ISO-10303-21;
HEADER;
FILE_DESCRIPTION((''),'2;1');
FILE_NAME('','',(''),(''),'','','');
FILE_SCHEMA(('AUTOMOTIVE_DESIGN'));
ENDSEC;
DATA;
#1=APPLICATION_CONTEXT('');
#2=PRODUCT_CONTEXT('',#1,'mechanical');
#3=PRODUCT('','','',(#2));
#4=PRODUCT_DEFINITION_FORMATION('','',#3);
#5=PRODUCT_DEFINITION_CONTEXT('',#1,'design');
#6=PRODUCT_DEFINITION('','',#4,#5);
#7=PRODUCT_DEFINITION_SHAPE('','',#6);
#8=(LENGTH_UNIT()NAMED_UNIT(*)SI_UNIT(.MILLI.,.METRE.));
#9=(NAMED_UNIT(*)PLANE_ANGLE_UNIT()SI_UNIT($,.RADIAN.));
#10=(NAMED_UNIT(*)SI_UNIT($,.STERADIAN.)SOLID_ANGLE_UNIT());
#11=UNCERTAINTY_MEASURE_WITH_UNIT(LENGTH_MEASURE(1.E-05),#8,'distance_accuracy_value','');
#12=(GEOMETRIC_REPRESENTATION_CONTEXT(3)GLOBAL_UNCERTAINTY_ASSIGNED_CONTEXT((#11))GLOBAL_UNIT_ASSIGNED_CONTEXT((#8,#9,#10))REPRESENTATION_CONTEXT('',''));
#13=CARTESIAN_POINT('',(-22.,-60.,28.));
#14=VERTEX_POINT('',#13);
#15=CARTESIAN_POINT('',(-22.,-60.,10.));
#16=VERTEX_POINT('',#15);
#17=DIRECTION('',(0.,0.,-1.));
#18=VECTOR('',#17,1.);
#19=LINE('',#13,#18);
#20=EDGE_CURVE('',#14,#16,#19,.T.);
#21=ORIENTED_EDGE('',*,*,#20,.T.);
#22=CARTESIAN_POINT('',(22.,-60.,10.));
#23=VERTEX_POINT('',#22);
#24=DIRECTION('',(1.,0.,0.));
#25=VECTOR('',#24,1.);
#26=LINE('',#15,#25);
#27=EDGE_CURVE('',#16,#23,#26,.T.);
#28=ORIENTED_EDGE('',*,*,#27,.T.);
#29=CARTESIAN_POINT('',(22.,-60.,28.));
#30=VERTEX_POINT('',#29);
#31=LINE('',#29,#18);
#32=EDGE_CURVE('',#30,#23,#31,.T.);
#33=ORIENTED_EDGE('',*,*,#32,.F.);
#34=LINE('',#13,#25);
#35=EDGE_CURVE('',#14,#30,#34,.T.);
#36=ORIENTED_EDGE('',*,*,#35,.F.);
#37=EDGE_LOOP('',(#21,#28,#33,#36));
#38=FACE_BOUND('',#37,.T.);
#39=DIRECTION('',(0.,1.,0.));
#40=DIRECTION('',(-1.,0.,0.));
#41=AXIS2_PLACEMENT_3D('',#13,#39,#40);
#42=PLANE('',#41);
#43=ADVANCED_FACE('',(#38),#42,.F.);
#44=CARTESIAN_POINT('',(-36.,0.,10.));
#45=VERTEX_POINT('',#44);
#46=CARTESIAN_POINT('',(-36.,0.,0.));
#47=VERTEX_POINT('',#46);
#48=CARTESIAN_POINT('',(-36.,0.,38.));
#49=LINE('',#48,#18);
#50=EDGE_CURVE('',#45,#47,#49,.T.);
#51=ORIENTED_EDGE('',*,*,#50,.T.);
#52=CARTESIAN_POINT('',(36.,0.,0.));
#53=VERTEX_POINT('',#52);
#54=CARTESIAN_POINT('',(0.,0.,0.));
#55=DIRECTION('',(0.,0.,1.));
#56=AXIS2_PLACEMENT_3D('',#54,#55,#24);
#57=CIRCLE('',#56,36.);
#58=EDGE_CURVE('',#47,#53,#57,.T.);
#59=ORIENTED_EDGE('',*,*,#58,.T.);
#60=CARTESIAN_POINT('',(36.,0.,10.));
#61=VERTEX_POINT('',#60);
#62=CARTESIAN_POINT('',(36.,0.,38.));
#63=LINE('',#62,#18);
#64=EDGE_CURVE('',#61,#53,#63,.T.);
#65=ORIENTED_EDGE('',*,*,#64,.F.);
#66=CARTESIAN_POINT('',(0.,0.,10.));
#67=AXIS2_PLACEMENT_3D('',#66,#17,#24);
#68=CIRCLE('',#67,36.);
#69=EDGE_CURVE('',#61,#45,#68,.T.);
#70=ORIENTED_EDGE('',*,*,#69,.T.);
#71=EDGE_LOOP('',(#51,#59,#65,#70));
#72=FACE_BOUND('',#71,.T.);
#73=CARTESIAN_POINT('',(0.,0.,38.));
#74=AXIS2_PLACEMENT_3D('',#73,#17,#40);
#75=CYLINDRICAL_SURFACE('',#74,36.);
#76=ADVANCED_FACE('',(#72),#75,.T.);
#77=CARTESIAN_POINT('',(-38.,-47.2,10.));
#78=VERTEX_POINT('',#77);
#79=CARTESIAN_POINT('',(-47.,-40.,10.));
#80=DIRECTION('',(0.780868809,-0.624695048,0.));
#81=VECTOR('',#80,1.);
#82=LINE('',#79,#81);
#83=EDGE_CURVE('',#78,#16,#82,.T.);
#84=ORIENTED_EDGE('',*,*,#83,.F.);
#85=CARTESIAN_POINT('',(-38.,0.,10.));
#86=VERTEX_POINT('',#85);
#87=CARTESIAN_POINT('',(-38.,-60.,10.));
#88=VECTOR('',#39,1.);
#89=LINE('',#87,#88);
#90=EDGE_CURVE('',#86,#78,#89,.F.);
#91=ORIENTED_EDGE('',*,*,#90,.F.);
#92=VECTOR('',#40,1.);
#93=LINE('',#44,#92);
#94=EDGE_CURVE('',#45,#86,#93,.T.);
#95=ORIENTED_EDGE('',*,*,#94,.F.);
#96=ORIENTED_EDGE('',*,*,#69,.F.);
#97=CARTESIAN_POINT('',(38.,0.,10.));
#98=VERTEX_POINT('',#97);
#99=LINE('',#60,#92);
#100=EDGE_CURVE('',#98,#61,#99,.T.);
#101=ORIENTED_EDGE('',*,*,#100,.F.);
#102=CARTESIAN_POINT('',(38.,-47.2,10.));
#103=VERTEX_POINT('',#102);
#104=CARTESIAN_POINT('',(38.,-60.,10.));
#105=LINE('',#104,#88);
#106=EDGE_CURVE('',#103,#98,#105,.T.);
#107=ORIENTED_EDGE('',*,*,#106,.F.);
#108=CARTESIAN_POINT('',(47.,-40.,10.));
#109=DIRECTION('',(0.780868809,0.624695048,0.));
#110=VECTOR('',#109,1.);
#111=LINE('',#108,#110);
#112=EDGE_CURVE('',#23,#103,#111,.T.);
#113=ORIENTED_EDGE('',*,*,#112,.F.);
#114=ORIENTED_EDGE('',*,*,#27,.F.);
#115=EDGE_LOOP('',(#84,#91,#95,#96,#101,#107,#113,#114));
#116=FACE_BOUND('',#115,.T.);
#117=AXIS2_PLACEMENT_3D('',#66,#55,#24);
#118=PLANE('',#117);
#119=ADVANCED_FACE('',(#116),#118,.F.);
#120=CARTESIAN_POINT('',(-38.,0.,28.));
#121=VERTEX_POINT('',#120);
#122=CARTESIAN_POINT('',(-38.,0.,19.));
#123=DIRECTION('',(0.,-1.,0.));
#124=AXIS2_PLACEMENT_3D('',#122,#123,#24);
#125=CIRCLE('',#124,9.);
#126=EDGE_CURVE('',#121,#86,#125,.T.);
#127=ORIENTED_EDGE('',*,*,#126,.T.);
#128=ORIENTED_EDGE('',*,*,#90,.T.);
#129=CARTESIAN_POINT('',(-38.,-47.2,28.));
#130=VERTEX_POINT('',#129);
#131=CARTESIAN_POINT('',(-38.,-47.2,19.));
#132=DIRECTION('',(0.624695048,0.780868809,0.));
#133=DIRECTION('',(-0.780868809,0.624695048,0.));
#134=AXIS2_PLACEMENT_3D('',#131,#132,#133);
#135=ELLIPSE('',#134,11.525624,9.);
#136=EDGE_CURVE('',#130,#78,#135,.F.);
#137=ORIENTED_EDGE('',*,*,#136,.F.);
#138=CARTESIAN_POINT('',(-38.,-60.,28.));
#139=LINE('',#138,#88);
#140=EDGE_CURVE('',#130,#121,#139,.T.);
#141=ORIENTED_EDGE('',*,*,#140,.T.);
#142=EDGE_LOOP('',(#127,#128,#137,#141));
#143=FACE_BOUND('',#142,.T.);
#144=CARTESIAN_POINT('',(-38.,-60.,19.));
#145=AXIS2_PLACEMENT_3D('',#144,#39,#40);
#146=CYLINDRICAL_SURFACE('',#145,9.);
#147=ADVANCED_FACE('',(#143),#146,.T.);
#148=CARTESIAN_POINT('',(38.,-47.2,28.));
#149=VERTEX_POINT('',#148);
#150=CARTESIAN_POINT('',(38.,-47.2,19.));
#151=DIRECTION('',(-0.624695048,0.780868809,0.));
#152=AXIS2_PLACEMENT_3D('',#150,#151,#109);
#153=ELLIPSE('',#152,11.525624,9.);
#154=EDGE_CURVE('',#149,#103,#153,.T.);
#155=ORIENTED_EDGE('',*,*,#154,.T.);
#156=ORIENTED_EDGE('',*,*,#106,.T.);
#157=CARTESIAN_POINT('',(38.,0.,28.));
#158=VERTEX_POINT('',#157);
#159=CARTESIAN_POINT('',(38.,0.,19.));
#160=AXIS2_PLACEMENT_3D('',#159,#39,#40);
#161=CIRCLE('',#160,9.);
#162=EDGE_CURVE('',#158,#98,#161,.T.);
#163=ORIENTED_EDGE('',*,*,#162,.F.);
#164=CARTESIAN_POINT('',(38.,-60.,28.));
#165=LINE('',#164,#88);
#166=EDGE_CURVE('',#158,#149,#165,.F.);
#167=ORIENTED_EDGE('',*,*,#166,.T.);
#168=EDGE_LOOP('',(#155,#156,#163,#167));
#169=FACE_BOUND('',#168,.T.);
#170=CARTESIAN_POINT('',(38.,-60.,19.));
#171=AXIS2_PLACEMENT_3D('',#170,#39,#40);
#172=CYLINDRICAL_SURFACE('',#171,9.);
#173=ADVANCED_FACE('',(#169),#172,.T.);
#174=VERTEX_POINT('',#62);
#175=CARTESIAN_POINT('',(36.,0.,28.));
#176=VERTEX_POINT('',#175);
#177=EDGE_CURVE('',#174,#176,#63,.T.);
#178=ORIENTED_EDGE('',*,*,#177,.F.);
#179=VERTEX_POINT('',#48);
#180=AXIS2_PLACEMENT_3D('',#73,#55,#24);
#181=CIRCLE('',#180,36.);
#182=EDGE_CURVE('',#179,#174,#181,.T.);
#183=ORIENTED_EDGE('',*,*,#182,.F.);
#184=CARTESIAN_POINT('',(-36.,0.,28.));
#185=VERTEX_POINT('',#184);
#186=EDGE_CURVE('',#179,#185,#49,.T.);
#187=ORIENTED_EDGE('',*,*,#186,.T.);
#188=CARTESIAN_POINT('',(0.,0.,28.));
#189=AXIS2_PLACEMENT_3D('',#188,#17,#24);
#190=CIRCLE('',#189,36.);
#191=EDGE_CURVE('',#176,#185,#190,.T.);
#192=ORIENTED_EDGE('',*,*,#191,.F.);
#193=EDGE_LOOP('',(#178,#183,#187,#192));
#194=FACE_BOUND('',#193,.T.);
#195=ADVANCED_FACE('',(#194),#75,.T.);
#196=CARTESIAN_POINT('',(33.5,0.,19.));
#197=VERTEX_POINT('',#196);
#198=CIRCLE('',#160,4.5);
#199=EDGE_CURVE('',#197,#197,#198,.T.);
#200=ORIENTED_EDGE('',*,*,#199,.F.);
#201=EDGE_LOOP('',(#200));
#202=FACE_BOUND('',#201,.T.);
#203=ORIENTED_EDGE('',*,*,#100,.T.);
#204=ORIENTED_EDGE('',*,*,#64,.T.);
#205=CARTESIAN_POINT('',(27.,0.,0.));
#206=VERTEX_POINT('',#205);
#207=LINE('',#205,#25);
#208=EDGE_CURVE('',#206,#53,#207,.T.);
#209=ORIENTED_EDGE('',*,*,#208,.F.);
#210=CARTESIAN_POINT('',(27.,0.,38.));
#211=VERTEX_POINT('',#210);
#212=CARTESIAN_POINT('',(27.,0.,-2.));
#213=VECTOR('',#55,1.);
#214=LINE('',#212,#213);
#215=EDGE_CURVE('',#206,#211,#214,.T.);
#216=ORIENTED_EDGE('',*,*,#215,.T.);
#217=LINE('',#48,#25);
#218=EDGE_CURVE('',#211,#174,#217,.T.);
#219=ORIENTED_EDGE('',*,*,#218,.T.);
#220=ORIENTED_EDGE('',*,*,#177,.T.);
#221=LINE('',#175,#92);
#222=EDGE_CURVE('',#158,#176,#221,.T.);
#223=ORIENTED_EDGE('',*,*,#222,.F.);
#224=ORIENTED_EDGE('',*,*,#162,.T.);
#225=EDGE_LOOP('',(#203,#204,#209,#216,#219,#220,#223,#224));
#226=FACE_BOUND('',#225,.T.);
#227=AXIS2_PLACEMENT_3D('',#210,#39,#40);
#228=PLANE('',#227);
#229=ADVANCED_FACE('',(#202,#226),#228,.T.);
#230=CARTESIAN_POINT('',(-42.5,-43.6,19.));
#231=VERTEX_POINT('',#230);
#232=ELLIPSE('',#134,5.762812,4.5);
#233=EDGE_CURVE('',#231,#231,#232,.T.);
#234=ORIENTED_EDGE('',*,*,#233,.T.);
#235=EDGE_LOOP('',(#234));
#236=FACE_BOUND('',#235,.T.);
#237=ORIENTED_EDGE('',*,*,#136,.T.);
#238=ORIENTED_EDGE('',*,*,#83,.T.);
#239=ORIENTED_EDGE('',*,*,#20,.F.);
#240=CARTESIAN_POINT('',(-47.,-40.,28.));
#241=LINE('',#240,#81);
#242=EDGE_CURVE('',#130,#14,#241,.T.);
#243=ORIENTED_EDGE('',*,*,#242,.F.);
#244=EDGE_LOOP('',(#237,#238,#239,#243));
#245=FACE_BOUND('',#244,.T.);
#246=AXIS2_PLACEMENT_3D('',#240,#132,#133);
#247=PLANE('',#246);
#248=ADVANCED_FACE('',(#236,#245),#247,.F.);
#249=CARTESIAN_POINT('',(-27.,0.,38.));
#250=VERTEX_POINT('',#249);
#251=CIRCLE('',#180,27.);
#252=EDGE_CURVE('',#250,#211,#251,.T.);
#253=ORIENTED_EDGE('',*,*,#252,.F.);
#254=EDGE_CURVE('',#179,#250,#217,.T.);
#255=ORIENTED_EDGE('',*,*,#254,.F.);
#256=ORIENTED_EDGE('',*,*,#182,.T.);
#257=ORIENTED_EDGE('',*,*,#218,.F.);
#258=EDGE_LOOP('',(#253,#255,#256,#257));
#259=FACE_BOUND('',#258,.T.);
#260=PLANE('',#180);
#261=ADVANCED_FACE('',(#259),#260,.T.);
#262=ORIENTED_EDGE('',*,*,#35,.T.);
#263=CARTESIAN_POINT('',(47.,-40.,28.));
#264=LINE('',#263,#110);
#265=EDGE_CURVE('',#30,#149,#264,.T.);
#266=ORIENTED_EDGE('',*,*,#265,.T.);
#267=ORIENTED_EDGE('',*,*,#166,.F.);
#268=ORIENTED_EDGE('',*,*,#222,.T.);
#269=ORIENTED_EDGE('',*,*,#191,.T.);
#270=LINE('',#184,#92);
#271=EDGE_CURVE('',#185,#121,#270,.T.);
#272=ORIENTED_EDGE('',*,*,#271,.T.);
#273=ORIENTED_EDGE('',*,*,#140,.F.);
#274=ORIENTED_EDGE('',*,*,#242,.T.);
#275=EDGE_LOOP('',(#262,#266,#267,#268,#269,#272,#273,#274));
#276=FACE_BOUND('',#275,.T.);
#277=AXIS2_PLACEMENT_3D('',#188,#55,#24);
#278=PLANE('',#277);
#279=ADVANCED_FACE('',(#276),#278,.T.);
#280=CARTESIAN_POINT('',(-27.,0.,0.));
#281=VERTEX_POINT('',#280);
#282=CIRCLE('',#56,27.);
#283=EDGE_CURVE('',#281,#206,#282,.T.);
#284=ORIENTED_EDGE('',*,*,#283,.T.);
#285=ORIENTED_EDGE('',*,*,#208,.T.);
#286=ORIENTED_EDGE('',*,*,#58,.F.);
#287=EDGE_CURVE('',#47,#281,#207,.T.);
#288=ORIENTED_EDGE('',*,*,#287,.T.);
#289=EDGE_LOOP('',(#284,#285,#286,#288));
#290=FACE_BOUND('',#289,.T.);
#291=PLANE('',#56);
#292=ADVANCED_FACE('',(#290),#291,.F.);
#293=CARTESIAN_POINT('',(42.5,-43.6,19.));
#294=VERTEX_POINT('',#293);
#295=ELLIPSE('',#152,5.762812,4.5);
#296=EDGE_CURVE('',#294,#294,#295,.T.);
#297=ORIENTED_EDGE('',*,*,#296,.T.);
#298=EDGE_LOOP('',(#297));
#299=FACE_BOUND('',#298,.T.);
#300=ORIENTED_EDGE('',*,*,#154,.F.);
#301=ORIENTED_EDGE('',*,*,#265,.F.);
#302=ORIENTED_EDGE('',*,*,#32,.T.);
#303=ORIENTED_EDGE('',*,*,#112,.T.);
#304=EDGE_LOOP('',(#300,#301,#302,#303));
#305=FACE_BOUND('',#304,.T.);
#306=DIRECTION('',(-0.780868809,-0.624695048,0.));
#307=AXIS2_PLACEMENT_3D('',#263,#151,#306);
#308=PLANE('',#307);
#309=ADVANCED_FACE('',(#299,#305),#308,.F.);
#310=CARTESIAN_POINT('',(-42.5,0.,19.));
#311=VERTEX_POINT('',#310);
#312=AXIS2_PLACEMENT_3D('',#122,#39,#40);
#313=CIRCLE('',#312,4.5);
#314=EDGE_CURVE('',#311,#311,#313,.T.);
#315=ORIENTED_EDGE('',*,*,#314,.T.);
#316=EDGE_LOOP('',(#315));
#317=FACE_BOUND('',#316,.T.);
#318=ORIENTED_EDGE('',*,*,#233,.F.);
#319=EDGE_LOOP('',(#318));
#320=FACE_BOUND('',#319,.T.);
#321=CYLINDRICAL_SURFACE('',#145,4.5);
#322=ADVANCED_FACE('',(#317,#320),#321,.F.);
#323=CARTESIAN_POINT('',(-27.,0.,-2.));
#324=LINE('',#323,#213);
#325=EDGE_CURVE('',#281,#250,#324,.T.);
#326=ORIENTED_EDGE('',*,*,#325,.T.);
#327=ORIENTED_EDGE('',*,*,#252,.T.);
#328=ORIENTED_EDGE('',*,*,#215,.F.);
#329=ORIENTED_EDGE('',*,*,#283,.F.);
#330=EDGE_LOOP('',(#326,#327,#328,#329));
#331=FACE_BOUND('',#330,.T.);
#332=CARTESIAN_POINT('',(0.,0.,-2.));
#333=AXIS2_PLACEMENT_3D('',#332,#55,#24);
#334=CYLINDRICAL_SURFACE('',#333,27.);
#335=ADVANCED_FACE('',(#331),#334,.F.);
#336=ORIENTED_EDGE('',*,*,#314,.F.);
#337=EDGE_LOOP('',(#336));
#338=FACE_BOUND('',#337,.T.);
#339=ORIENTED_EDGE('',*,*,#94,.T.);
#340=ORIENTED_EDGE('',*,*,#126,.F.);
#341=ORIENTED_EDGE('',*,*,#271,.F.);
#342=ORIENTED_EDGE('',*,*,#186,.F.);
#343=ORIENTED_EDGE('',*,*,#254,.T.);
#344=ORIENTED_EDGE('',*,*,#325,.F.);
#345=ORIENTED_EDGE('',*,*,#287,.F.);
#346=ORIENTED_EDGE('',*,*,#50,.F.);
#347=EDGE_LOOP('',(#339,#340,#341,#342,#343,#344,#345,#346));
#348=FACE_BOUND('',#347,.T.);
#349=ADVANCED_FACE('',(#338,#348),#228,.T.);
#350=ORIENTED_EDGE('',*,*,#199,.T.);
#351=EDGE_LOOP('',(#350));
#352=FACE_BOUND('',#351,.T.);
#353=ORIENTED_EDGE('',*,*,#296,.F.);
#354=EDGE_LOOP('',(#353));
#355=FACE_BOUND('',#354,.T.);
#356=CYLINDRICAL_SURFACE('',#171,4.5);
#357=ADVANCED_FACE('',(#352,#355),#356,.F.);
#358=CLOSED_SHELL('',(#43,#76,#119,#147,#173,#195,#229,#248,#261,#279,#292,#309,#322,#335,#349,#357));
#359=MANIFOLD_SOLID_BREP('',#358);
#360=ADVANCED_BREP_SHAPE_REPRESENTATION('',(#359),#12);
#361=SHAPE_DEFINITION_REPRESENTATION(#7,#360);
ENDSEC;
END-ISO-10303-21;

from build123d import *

# Parameters (mm, degrees)
BOSS_EXTRUDE2_DEPTH  = 38
BOSS_EXTRUDE3_DEPTH  = 9
SKETCH5_R            = 9
BOSS_EXTRUDE4_DEPTH  = 40
CUT_EXTRUDE1_DEPTH   = 61
MIRROR2_COPY_1_DEPTH = 61
CUT_EXTRUDE3_DEPTH   = 40
SKETCH7_R            = 4.5
CUT_EXTRUDE4_DEPTH   = 61


with BuildPart() as part:
    # Sketch1 → Boss-Extrude2 (new body)
    with BuildSketch(Plane.XY):
        with BuildLine():
            Line((27, 0), (36, 0))
            ThreePointArc((36, 0), (0, -36), (-36, 0))
            Line((-36, 0), (-27, 0))
            Line((-27, 0), (27, 0))
        make_face()
    extrude(amount=BOSS_EXTRUDE2_DEPTH)

    # Sketch4 → Boss-Extrude3 (add, symmetric)
    with BuildSketch(Plane.XY.offset(19)):
        with BuildLine():
            Line((-36, 0), (-47, 0))
            Line((-47, 0), (-47, -40))
            Line((-47, -40), (-22, -60))
            Line((-22, -60), (22, -60))
            Line((22, -60), (47, -40))
            Line((47, -40), (47, 0))
            Line((47, 0), (36, 0))
            ThreePointArc((36, 0), (0, -36), (-36, 0))
        make_face()
    extrude(amount=BOSS_EXTRUDE3_DEPTH, both=True)

    # Sketch5 → Boss-Extrude4 (add)
    with BuildSketch(Plane(origin=(0, 0, 0), x_dir=(1, 0, 0), z_dir=(0, 1, 0))):
        with Locations((-38, -19)):
            Circle(SKETCH5_R)
        with Locations((38, -19)):
            Circle(SKETCH5_R)
    extrude(amount=-BOSS_EXTRUDE4_DEPTH)

    # Sketch6 → Cut-Extrude1 (cut, through all)
    with BuildSketch(Plane(origin=(0, 0, 0), x_dir=(1, 0, 0), z_dir=(0, 1, 0))):
        with BuildLine():
            Line((-47, -19), (-47, -10))
            Line((-47, -10), (-38, -10))
            ThreePointArc((-38, -10), (-44.363961031, -12.636038969), (-47, -19))
        make_face()
    cut_extrude1 = extrude(amount=-CUT_EXTRUDE1_DEPTH, mode=Mode.SUBTRACT)

    # Mirror1: Cut-Extrude1 across plane
    add(cut_extrude1.mirror(Plane.XY.offset(19)), mode=Mode.SUBTRACT)

    # Mirror2: Cut-Extrude1 across plane
    add(cut_extrude1.mirror(Plane(origin=(0, 0, 0), x_dir=(0, 0, 1), z_dir=(1, 0, 0))), mode=Mode.SUBTRACT)

    # Mirror2 copy 1 sketch → Mirror2 copy 1 (cut, through all)
    with BuildSketch(Plane(origin=(0, 0, 38), x_dir=(-1, 0, 0), z_dir=(0, 1, 0))):
        with BuildLine():
            Line((-47, -19), (-47, -10))
            Line((-47, -10), (-38, -10))
            ThreePointArc((-38, -10), (-44.363961031, -12.636038969), (-47, -19))
        make_face()
    extrude(amount=-MIRROR2_COPY_1_DEPTH, mode=Mode.SUBTRACT)

    # Sketch3 → Cut-Extrude3 (cut)
    with BuildSketch(Plane.XY.offset(38)):
        with BuildLine():
            Line((-27, 0), (27, 0))
            ThreePointArc((27, 0), (0, -27), (-27, 0))
        make_face()
    extrude(amount=-CUT_EXTRUDE3_DEPTH, mode=Mode.SUBTRACT)

    # Sketch7 → Cut-Extrude4 (cut, through all)
    with BuildSketch(Plane(origin=(0, 0, 0), x_dir=(1, 0, 0), z_dir=(0, 1, 0))):
        with Locations((-38, -19)):
            Circle(SKETCH7_R)
        with Locations((38, -19)):
            Circle(SKETCH7_R)
    extrude(amount=-CUT_EXTRUDE4_DEPTH, mode=Mode.SUBTRACT)


solid = part.part
